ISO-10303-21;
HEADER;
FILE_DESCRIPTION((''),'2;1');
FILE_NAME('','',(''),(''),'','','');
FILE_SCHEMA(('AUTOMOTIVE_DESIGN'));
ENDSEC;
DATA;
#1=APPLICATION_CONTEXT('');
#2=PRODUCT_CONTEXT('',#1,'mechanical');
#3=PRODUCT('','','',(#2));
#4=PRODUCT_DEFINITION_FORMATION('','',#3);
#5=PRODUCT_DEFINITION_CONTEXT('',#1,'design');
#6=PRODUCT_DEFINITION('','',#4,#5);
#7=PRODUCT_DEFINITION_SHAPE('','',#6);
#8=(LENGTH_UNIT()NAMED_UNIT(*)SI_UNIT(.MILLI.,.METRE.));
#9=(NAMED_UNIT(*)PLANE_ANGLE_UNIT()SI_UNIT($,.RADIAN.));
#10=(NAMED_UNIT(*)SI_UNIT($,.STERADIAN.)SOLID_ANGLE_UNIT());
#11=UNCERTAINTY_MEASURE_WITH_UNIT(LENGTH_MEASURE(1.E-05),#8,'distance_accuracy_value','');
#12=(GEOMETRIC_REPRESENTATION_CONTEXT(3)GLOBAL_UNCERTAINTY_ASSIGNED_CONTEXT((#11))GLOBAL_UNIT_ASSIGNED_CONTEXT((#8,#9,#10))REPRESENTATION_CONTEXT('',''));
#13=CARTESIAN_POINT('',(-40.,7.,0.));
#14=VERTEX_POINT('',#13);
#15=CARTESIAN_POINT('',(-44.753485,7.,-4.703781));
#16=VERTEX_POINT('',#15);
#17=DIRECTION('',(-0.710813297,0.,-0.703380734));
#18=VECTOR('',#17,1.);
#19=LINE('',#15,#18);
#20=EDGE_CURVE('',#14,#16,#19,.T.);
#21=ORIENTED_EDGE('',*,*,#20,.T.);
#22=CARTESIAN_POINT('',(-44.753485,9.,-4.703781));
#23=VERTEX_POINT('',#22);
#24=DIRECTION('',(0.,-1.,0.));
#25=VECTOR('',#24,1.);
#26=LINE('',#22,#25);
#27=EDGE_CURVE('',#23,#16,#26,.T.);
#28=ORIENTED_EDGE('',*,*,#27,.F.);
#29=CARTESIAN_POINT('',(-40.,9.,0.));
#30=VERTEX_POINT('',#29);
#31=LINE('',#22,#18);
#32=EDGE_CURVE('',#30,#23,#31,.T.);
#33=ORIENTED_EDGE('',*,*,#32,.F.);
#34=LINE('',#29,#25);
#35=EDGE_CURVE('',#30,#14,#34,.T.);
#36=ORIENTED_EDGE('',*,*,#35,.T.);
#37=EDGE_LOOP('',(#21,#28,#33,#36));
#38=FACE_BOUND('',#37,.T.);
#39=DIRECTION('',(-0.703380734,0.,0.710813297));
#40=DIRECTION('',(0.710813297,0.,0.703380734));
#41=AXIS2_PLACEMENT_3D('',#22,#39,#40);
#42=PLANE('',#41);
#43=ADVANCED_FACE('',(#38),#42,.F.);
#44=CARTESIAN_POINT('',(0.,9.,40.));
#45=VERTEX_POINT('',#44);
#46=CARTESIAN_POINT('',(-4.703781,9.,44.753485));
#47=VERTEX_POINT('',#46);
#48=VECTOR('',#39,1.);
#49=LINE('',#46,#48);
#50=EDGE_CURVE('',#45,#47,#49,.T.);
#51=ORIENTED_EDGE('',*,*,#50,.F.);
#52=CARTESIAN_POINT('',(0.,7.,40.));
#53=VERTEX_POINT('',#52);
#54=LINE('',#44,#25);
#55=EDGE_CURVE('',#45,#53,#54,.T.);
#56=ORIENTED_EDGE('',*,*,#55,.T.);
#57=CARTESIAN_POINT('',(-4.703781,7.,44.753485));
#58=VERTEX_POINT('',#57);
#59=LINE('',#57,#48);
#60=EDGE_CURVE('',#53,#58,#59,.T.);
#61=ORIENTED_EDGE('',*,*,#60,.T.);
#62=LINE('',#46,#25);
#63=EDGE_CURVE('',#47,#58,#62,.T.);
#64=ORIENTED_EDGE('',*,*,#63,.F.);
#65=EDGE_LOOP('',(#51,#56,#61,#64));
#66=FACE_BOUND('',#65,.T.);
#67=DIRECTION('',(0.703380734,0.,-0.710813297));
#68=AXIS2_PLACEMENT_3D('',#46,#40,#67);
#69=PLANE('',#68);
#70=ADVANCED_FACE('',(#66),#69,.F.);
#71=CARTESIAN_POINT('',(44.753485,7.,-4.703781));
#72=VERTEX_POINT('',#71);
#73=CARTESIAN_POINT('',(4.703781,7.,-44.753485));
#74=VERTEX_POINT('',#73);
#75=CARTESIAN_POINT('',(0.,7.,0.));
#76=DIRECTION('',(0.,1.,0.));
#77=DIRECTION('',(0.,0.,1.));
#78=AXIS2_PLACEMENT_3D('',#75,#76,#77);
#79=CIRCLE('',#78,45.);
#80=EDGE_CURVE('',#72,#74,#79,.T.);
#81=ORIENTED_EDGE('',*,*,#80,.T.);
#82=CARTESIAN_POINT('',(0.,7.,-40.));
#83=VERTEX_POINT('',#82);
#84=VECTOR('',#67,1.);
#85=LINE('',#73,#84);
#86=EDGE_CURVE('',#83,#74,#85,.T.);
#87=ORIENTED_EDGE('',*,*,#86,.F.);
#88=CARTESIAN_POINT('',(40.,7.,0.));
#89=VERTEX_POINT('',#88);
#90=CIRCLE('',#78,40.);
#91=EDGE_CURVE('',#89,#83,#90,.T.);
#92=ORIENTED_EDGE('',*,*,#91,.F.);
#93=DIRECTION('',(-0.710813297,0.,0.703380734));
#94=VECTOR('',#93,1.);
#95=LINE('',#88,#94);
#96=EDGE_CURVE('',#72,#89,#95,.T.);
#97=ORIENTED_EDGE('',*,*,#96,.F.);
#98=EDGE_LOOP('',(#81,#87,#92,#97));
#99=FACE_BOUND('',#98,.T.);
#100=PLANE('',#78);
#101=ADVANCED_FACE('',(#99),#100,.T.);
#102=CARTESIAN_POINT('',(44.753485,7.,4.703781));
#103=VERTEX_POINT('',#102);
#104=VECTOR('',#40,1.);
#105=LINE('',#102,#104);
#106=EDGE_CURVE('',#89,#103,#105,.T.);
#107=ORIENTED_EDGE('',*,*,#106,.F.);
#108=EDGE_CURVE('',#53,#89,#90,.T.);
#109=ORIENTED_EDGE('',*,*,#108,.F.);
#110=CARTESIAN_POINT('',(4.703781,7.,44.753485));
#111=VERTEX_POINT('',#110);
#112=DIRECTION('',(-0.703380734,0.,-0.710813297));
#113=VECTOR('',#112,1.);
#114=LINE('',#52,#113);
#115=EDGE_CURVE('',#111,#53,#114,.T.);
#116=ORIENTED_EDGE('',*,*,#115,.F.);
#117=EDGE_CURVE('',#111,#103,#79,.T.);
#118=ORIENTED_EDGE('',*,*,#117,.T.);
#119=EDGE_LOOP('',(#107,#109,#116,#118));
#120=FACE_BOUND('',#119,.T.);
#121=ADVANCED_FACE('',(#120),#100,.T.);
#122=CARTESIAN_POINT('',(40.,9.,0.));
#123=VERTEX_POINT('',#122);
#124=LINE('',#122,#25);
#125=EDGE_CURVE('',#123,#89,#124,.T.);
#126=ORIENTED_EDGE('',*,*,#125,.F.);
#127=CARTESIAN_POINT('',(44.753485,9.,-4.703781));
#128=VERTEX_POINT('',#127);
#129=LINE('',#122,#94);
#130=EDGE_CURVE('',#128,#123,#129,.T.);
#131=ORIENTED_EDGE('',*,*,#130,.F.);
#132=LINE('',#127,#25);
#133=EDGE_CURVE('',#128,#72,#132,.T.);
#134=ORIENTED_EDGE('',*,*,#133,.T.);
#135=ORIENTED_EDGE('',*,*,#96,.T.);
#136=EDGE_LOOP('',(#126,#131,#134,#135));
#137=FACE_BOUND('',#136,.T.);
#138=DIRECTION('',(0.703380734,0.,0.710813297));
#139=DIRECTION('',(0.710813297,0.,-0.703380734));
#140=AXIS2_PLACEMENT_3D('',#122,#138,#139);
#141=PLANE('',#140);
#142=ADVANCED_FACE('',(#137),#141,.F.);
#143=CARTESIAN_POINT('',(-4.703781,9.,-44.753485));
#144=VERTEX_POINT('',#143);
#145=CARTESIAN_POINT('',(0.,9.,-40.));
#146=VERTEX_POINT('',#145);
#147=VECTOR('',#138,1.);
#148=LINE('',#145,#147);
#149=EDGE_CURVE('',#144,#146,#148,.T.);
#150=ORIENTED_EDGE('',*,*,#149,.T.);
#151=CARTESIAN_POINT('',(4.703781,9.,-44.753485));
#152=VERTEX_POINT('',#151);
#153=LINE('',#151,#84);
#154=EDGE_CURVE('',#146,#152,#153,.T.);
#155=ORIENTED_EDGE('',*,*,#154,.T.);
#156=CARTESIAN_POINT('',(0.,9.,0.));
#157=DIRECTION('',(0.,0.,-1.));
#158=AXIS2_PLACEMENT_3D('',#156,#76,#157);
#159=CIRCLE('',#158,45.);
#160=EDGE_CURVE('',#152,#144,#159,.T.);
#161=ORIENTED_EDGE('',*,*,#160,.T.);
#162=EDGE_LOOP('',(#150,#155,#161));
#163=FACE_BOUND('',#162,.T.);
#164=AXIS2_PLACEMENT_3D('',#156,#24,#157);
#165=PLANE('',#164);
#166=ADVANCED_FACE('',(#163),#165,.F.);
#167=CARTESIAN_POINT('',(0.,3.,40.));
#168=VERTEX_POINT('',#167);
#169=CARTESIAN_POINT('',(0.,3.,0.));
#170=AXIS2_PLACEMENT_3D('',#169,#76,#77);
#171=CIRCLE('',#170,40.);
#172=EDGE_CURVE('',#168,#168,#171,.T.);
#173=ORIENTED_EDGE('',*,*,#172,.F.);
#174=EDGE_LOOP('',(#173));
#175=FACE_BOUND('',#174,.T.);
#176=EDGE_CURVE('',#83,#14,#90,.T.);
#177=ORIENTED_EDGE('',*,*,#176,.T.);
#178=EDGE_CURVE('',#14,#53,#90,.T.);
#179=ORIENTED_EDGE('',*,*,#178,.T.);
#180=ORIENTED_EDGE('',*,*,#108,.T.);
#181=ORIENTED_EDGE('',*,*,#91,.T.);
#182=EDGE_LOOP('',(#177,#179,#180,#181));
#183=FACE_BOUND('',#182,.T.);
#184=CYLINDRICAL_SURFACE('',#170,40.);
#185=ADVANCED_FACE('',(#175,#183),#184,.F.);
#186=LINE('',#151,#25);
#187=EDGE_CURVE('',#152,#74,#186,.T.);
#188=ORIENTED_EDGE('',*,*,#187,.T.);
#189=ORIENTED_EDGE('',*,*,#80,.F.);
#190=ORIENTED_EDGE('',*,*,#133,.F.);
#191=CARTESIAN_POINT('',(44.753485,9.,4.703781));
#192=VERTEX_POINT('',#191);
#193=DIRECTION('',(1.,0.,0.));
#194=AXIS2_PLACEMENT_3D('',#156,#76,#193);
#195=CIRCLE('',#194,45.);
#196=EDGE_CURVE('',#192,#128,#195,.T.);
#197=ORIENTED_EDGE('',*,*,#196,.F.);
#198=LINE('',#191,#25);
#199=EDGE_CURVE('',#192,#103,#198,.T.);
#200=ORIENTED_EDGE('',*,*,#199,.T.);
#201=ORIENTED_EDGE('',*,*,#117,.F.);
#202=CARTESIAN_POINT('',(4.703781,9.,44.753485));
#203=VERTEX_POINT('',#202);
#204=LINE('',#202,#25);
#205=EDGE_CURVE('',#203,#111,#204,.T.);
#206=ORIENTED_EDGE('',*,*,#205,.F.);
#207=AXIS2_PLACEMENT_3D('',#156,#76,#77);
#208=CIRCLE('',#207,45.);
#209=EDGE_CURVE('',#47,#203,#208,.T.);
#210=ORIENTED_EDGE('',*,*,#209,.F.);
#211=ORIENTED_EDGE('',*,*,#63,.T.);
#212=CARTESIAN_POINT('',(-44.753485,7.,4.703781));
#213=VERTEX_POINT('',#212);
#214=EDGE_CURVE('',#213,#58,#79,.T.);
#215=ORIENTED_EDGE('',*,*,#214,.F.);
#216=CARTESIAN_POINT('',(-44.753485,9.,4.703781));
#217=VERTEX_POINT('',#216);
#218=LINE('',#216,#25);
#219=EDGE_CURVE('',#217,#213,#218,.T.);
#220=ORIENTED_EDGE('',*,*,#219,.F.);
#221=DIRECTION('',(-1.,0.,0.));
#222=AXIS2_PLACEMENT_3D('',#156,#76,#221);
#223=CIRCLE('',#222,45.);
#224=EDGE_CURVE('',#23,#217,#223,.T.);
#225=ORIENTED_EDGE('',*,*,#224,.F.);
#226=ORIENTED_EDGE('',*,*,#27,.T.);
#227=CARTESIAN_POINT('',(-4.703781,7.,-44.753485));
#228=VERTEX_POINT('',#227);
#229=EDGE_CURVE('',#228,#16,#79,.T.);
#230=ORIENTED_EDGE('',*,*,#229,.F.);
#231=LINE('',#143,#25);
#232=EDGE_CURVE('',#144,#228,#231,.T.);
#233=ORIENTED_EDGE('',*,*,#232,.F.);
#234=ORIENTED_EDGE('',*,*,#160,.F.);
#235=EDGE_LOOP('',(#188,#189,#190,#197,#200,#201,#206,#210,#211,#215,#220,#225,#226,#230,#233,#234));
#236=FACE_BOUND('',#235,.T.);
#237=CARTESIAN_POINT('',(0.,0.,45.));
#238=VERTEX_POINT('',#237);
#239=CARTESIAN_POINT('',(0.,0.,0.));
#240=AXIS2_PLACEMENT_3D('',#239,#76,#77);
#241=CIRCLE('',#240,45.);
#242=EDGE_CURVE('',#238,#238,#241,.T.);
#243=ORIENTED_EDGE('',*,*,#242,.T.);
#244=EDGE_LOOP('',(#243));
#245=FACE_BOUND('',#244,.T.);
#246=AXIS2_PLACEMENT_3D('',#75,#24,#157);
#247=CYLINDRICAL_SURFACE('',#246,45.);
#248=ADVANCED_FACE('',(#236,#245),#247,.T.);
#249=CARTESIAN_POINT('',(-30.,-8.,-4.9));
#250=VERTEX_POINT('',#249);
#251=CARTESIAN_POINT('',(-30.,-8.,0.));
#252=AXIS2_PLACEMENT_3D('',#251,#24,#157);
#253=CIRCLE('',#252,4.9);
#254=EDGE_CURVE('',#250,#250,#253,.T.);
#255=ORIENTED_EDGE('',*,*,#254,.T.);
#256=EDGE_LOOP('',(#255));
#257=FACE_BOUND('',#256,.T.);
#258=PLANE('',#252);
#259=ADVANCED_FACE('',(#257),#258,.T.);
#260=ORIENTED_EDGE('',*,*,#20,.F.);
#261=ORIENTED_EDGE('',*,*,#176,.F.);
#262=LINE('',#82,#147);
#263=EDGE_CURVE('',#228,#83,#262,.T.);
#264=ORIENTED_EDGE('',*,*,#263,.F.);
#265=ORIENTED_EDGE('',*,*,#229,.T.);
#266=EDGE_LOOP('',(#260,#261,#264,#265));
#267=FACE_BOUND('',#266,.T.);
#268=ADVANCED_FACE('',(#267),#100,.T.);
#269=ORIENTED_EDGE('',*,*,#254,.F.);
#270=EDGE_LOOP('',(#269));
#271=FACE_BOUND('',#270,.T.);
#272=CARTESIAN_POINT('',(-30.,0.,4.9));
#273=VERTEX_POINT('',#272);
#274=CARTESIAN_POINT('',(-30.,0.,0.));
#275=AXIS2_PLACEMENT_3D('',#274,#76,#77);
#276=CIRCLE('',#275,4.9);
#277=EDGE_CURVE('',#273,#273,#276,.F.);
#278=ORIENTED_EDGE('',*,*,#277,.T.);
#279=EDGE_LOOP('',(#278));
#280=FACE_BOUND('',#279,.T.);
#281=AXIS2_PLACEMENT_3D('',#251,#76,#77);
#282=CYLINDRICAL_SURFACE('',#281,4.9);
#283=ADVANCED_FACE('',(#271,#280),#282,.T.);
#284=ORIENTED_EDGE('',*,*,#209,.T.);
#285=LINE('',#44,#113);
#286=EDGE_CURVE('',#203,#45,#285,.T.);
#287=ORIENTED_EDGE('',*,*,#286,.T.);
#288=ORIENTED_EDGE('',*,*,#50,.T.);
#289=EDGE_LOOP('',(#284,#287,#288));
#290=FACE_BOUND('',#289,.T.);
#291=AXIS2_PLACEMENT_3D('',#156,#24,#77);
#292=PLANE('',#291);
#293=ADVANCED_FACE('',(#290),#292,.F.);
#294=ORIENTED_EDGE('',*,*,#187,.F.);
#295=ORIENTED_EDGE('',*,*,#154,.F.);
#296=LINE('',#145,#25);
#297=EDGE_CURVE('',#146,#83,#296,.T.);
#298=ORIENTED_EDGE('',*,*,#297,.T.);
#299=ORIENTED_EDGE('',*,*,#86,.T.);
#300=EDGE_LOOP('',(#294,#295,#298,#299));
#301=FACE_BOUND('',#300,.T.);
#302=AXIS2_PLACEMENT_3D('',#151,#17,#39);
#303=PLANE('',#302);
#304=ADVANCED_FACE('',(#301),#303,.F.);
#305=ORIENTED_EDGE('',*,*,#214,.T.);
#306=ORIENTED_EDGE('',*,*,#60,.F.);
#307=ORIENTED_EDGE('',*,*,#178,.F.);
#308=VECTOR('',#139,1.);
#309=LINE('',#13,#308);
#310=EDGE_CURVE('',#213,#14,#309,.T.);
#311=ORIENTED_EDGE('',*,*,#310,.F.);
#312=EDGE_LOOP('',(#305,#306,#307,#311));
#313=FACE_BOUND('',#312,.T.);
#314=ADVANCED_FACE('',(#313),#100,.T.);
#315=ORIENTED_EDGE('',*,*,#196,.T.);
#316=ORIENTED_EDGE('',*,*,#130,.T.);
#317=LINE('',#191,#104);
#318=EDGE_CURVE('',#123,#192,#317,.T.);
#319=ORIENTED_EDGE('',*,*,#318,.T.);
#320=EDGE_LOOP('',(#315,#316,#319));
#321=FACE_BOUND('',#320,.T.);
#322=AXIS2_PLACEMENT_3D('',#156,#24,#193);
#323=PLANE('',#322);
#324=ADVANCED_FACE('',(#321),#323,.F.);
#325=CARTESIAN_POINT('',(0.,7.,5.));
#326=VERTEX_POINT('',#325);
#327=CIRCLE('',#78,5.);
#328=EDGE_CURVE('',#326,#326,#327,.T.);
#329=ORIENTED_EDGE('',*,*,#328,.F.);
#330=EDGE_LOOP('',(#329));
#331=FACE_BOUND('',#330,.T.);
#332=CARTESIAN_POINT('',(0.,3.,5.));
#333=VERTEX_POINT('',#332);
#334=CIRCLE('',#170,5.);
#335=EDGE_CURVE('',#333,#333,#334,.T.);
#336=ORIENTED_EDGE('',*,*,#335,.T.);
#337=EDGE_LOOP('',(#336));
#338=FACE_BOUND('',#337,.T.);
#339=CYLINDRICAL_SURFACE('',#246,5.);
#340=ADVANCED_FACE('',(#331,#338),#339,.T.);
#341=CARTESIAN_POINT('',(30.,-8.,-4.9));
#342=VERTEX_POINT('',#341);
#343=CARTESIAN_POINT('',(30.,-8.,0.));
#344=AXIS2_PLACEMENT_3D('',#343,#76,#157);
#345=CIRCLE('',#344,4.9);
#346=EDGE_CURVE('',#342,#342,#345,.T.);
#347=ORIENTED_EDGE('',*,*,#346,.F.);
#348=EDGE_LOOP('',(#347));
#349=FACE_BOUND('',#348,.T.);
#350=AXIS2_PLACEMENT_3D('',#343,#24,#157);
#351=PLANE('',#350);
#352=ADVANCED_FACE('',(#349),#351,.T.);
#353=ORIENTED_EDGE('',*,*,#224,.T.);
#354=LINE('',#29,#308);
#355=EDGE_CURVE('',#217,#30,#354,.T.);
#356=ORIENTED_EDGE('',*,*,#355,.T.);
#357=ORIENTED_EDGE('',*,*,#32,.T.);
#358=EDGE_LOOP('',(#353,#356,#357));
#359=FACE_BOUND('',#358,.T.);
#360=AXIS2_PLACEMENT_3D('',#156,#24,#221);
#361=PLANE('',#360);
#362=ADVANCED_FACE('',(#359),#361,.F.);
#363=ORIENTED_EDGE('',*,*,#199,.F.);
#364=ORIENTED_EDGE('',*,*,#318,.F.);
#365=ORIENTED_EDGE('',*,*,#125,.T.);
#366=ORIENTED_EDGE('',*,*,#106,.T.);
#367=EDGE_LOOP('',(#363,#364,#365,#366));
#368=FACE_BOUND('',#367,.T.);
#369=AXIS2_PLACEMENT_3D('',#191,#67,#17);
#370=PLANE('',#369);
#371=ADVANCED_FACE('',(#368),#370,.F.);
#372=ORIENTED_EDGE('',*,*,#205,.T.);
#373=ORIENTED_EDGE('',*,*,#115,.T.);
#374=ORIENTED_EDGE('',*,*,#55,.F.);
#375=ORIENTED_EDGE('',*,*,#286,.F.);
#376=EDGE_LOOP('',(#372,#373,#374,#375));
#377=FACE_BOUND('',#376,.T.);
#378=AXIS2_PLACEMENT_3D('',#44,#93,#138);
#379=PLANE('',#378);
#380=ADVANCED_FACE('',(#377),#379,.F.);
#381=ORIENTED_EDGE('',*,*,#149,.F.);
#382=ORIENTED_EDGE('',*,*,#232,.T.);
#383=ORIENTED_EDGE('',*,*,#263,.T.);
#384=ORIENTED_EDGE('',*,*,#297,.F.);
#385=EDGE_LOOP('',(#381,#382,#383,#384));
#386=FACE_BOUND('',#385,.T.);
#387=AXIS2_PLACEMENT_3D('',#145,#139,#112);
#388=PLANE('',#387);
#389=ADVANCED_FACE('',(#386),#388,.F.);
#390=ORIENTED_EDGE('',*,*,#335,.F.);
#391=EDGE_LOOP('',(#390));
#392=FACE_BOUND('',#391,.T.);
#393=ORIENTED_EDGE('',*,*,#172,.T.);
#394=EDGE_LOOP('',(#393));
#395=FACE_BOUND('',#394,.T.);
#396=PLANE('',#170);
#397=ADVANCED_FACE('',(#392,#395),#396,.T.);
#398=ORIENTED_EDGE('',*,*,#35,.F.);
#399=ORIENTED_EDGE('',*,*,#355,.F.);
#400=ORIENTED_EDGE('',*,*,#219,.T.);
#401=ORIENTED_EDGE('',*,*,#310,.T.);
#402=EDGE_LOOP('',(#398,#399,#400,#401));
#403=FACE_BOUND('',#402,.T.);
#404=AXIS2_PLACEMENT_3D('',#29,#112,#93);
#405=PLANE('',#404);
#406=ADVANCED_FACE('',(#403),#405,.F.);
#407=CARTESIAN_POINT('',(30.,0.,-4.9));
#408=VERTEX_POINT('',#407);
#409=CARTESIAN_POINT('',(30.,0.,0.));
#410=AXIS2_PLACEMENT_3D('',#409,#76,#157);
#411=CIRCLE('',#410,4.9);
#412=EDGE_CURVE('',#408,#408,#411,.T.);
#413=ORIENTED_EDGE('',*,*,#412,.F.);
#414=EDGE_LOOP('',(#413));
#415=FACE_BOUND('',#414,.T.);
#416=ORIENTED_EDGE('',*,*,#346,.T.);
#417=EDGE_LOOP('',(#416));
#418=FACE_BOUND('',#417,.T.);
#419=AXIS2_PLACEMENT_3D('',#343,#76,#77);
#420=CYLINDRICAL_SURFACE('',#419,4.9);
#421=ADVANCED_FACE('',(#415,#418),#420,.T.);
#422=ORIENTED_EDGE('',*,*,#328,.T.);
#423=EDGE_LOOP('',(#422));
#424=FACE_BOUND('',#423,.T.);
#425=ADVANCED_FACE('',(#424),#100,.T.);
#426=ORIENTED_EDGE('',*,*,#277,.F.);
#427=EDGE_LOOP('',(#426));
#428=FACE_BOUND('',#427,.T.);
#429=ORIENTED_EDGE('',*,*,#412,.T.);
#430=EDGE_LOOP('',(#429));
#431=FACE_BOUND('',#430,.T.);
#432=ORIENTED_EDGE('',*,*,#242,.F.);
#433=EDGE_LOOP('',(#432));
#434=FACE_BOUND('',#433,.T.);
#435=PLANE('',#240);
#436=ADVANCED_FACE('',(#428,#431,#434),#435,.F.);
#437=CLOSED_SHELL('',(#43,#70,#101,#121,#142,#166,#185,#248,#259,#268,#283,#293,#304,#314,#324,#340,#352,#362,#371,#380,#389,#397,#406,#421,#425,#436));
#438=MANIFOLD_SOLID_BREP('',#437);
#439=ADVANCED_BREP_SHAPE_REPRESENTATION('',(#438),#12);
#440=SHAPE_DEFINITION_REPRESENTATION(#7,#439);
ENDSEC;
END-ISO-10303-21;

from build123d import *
from build123d.topology import SkipClean

# Parameters (mm, degrees)
SKETCH1_R           = 45
BOSS_EXTRUDE1_DEPTH = 7
SKETCH2_R           = 40
CUT_EXTRUDE1_DEPTH  = 4
SKETCH3_R           = 5
BOSS_EXTRUDE2_DEPTH = 4
BOSS_EXTRUDE3_DEPTH = 2
CIRPATTERN1_COUNT   = 4
SKETCH5_R           = 4.9
BOSS_EXTRUDE4_DEPTH = 8


with BuildPart() as part:
    # Sketch1 → Boss-Extrude1 (new body)
    with BuildSketch(Plane(origin=(0, 0, 0), x_dir=(1, 0, 0), z_dir=(0, 1, 0))):
        with Locations(Location((0, 0, 0), (0, 0, 270))):
            Circle(SKETCH1_R)
    extrude(amount=BOSS_EXTRUDE1_DEPTH)

    # Sketch2 → Cut-Extrude1 (cut)
    with BuildSketch(Plane(origin=(0, 7, 0), x_dir=(1, 0, 0), z_dir=(0, 1, 0))):
        with Locations(Location((0, 0, 0), (0, 0, 270))):
            Circle(SKETCH2_R)
    extrude(amount=-CUT_EXTRUDE1_DEPTH, mode=Mode.SUBTRACT)

    # Sketch3 → Boss-Extrude2 (add)
    with BuildSketch(Plane(origin=(0, 3, 0), x_dir=(1, 0, 0), z_dir=(0, 1, 0))):
        with Locations(Location((0, 0, 0), (0, 0, 270))):
            Circle(SKETCH3_R)
    extrude(amount=BOSS_EXTRUDE2_DEPTH)

    # Sketch4 → Boss-Extrude3 (add)
    with SkipClean():  # the faces are left unmerged after this step: merging them gives an invalid solid
        with BuildSketch(Plane(origin=(0, 7, 0), x_dir=(1, 0, 0), z_dir=(0, 1, 0))):
            with BuildLine():
                Line((0, 40), (-4.703780847, 44.753485292))
                ThreePointArc((-4.703780847, 44.753485292), (0, 45), (4.703780847, 44.753485292))
                Line((4.703780847, 44.753485292), (0, 40))
            make_face()
        boss_extrude3 = extrude(amount=BOSS_EXTRUDE3_DEPTH)

    # CirPattern1: Boss-Extrude3 ×4 about axis
    with SkipClean():  # the faces are left unmerged after this step: merging them gives an invalid solid
        cirpattern1_axis = Axis((0, 0, 0), (0, 1, 0))
        for i in range(1, CIRPATTERN1_COUNT):
            add(boss_extrude3.rotate(cirpattern1_axis, i * 360 / CIRPATTERN1_COUNT))

    # Sketch5 → Boss-Extrude4 (add)
    with SkipClean():  # the faces are left unmerged after this step: merging them gives an invalid solid
        with BuildSketch(Plane(origin=(0, 0, 0), x_dir=(-1, 0, 0), z_dir=(0, -1, 0))):
            with Locations(Location((30, 0, 0), (0, 0, 270))):
                Circle(SKETCH5_R)
        boss_extrude4 = extrude(amount=BOSS_EXTRUDE4_DEPTH)

    # Mirror1: Boss-Extrude4 across plane
    with SkipClean():  # the faces are left unmerged after this step: merging them gives an invalid solid
        add(boss_extrude4.mirror(Plane(origin=(0, 0, 0), x_dir=(0, 0, 1), z_dir=(1, 0, 0))))


solid = part.part
